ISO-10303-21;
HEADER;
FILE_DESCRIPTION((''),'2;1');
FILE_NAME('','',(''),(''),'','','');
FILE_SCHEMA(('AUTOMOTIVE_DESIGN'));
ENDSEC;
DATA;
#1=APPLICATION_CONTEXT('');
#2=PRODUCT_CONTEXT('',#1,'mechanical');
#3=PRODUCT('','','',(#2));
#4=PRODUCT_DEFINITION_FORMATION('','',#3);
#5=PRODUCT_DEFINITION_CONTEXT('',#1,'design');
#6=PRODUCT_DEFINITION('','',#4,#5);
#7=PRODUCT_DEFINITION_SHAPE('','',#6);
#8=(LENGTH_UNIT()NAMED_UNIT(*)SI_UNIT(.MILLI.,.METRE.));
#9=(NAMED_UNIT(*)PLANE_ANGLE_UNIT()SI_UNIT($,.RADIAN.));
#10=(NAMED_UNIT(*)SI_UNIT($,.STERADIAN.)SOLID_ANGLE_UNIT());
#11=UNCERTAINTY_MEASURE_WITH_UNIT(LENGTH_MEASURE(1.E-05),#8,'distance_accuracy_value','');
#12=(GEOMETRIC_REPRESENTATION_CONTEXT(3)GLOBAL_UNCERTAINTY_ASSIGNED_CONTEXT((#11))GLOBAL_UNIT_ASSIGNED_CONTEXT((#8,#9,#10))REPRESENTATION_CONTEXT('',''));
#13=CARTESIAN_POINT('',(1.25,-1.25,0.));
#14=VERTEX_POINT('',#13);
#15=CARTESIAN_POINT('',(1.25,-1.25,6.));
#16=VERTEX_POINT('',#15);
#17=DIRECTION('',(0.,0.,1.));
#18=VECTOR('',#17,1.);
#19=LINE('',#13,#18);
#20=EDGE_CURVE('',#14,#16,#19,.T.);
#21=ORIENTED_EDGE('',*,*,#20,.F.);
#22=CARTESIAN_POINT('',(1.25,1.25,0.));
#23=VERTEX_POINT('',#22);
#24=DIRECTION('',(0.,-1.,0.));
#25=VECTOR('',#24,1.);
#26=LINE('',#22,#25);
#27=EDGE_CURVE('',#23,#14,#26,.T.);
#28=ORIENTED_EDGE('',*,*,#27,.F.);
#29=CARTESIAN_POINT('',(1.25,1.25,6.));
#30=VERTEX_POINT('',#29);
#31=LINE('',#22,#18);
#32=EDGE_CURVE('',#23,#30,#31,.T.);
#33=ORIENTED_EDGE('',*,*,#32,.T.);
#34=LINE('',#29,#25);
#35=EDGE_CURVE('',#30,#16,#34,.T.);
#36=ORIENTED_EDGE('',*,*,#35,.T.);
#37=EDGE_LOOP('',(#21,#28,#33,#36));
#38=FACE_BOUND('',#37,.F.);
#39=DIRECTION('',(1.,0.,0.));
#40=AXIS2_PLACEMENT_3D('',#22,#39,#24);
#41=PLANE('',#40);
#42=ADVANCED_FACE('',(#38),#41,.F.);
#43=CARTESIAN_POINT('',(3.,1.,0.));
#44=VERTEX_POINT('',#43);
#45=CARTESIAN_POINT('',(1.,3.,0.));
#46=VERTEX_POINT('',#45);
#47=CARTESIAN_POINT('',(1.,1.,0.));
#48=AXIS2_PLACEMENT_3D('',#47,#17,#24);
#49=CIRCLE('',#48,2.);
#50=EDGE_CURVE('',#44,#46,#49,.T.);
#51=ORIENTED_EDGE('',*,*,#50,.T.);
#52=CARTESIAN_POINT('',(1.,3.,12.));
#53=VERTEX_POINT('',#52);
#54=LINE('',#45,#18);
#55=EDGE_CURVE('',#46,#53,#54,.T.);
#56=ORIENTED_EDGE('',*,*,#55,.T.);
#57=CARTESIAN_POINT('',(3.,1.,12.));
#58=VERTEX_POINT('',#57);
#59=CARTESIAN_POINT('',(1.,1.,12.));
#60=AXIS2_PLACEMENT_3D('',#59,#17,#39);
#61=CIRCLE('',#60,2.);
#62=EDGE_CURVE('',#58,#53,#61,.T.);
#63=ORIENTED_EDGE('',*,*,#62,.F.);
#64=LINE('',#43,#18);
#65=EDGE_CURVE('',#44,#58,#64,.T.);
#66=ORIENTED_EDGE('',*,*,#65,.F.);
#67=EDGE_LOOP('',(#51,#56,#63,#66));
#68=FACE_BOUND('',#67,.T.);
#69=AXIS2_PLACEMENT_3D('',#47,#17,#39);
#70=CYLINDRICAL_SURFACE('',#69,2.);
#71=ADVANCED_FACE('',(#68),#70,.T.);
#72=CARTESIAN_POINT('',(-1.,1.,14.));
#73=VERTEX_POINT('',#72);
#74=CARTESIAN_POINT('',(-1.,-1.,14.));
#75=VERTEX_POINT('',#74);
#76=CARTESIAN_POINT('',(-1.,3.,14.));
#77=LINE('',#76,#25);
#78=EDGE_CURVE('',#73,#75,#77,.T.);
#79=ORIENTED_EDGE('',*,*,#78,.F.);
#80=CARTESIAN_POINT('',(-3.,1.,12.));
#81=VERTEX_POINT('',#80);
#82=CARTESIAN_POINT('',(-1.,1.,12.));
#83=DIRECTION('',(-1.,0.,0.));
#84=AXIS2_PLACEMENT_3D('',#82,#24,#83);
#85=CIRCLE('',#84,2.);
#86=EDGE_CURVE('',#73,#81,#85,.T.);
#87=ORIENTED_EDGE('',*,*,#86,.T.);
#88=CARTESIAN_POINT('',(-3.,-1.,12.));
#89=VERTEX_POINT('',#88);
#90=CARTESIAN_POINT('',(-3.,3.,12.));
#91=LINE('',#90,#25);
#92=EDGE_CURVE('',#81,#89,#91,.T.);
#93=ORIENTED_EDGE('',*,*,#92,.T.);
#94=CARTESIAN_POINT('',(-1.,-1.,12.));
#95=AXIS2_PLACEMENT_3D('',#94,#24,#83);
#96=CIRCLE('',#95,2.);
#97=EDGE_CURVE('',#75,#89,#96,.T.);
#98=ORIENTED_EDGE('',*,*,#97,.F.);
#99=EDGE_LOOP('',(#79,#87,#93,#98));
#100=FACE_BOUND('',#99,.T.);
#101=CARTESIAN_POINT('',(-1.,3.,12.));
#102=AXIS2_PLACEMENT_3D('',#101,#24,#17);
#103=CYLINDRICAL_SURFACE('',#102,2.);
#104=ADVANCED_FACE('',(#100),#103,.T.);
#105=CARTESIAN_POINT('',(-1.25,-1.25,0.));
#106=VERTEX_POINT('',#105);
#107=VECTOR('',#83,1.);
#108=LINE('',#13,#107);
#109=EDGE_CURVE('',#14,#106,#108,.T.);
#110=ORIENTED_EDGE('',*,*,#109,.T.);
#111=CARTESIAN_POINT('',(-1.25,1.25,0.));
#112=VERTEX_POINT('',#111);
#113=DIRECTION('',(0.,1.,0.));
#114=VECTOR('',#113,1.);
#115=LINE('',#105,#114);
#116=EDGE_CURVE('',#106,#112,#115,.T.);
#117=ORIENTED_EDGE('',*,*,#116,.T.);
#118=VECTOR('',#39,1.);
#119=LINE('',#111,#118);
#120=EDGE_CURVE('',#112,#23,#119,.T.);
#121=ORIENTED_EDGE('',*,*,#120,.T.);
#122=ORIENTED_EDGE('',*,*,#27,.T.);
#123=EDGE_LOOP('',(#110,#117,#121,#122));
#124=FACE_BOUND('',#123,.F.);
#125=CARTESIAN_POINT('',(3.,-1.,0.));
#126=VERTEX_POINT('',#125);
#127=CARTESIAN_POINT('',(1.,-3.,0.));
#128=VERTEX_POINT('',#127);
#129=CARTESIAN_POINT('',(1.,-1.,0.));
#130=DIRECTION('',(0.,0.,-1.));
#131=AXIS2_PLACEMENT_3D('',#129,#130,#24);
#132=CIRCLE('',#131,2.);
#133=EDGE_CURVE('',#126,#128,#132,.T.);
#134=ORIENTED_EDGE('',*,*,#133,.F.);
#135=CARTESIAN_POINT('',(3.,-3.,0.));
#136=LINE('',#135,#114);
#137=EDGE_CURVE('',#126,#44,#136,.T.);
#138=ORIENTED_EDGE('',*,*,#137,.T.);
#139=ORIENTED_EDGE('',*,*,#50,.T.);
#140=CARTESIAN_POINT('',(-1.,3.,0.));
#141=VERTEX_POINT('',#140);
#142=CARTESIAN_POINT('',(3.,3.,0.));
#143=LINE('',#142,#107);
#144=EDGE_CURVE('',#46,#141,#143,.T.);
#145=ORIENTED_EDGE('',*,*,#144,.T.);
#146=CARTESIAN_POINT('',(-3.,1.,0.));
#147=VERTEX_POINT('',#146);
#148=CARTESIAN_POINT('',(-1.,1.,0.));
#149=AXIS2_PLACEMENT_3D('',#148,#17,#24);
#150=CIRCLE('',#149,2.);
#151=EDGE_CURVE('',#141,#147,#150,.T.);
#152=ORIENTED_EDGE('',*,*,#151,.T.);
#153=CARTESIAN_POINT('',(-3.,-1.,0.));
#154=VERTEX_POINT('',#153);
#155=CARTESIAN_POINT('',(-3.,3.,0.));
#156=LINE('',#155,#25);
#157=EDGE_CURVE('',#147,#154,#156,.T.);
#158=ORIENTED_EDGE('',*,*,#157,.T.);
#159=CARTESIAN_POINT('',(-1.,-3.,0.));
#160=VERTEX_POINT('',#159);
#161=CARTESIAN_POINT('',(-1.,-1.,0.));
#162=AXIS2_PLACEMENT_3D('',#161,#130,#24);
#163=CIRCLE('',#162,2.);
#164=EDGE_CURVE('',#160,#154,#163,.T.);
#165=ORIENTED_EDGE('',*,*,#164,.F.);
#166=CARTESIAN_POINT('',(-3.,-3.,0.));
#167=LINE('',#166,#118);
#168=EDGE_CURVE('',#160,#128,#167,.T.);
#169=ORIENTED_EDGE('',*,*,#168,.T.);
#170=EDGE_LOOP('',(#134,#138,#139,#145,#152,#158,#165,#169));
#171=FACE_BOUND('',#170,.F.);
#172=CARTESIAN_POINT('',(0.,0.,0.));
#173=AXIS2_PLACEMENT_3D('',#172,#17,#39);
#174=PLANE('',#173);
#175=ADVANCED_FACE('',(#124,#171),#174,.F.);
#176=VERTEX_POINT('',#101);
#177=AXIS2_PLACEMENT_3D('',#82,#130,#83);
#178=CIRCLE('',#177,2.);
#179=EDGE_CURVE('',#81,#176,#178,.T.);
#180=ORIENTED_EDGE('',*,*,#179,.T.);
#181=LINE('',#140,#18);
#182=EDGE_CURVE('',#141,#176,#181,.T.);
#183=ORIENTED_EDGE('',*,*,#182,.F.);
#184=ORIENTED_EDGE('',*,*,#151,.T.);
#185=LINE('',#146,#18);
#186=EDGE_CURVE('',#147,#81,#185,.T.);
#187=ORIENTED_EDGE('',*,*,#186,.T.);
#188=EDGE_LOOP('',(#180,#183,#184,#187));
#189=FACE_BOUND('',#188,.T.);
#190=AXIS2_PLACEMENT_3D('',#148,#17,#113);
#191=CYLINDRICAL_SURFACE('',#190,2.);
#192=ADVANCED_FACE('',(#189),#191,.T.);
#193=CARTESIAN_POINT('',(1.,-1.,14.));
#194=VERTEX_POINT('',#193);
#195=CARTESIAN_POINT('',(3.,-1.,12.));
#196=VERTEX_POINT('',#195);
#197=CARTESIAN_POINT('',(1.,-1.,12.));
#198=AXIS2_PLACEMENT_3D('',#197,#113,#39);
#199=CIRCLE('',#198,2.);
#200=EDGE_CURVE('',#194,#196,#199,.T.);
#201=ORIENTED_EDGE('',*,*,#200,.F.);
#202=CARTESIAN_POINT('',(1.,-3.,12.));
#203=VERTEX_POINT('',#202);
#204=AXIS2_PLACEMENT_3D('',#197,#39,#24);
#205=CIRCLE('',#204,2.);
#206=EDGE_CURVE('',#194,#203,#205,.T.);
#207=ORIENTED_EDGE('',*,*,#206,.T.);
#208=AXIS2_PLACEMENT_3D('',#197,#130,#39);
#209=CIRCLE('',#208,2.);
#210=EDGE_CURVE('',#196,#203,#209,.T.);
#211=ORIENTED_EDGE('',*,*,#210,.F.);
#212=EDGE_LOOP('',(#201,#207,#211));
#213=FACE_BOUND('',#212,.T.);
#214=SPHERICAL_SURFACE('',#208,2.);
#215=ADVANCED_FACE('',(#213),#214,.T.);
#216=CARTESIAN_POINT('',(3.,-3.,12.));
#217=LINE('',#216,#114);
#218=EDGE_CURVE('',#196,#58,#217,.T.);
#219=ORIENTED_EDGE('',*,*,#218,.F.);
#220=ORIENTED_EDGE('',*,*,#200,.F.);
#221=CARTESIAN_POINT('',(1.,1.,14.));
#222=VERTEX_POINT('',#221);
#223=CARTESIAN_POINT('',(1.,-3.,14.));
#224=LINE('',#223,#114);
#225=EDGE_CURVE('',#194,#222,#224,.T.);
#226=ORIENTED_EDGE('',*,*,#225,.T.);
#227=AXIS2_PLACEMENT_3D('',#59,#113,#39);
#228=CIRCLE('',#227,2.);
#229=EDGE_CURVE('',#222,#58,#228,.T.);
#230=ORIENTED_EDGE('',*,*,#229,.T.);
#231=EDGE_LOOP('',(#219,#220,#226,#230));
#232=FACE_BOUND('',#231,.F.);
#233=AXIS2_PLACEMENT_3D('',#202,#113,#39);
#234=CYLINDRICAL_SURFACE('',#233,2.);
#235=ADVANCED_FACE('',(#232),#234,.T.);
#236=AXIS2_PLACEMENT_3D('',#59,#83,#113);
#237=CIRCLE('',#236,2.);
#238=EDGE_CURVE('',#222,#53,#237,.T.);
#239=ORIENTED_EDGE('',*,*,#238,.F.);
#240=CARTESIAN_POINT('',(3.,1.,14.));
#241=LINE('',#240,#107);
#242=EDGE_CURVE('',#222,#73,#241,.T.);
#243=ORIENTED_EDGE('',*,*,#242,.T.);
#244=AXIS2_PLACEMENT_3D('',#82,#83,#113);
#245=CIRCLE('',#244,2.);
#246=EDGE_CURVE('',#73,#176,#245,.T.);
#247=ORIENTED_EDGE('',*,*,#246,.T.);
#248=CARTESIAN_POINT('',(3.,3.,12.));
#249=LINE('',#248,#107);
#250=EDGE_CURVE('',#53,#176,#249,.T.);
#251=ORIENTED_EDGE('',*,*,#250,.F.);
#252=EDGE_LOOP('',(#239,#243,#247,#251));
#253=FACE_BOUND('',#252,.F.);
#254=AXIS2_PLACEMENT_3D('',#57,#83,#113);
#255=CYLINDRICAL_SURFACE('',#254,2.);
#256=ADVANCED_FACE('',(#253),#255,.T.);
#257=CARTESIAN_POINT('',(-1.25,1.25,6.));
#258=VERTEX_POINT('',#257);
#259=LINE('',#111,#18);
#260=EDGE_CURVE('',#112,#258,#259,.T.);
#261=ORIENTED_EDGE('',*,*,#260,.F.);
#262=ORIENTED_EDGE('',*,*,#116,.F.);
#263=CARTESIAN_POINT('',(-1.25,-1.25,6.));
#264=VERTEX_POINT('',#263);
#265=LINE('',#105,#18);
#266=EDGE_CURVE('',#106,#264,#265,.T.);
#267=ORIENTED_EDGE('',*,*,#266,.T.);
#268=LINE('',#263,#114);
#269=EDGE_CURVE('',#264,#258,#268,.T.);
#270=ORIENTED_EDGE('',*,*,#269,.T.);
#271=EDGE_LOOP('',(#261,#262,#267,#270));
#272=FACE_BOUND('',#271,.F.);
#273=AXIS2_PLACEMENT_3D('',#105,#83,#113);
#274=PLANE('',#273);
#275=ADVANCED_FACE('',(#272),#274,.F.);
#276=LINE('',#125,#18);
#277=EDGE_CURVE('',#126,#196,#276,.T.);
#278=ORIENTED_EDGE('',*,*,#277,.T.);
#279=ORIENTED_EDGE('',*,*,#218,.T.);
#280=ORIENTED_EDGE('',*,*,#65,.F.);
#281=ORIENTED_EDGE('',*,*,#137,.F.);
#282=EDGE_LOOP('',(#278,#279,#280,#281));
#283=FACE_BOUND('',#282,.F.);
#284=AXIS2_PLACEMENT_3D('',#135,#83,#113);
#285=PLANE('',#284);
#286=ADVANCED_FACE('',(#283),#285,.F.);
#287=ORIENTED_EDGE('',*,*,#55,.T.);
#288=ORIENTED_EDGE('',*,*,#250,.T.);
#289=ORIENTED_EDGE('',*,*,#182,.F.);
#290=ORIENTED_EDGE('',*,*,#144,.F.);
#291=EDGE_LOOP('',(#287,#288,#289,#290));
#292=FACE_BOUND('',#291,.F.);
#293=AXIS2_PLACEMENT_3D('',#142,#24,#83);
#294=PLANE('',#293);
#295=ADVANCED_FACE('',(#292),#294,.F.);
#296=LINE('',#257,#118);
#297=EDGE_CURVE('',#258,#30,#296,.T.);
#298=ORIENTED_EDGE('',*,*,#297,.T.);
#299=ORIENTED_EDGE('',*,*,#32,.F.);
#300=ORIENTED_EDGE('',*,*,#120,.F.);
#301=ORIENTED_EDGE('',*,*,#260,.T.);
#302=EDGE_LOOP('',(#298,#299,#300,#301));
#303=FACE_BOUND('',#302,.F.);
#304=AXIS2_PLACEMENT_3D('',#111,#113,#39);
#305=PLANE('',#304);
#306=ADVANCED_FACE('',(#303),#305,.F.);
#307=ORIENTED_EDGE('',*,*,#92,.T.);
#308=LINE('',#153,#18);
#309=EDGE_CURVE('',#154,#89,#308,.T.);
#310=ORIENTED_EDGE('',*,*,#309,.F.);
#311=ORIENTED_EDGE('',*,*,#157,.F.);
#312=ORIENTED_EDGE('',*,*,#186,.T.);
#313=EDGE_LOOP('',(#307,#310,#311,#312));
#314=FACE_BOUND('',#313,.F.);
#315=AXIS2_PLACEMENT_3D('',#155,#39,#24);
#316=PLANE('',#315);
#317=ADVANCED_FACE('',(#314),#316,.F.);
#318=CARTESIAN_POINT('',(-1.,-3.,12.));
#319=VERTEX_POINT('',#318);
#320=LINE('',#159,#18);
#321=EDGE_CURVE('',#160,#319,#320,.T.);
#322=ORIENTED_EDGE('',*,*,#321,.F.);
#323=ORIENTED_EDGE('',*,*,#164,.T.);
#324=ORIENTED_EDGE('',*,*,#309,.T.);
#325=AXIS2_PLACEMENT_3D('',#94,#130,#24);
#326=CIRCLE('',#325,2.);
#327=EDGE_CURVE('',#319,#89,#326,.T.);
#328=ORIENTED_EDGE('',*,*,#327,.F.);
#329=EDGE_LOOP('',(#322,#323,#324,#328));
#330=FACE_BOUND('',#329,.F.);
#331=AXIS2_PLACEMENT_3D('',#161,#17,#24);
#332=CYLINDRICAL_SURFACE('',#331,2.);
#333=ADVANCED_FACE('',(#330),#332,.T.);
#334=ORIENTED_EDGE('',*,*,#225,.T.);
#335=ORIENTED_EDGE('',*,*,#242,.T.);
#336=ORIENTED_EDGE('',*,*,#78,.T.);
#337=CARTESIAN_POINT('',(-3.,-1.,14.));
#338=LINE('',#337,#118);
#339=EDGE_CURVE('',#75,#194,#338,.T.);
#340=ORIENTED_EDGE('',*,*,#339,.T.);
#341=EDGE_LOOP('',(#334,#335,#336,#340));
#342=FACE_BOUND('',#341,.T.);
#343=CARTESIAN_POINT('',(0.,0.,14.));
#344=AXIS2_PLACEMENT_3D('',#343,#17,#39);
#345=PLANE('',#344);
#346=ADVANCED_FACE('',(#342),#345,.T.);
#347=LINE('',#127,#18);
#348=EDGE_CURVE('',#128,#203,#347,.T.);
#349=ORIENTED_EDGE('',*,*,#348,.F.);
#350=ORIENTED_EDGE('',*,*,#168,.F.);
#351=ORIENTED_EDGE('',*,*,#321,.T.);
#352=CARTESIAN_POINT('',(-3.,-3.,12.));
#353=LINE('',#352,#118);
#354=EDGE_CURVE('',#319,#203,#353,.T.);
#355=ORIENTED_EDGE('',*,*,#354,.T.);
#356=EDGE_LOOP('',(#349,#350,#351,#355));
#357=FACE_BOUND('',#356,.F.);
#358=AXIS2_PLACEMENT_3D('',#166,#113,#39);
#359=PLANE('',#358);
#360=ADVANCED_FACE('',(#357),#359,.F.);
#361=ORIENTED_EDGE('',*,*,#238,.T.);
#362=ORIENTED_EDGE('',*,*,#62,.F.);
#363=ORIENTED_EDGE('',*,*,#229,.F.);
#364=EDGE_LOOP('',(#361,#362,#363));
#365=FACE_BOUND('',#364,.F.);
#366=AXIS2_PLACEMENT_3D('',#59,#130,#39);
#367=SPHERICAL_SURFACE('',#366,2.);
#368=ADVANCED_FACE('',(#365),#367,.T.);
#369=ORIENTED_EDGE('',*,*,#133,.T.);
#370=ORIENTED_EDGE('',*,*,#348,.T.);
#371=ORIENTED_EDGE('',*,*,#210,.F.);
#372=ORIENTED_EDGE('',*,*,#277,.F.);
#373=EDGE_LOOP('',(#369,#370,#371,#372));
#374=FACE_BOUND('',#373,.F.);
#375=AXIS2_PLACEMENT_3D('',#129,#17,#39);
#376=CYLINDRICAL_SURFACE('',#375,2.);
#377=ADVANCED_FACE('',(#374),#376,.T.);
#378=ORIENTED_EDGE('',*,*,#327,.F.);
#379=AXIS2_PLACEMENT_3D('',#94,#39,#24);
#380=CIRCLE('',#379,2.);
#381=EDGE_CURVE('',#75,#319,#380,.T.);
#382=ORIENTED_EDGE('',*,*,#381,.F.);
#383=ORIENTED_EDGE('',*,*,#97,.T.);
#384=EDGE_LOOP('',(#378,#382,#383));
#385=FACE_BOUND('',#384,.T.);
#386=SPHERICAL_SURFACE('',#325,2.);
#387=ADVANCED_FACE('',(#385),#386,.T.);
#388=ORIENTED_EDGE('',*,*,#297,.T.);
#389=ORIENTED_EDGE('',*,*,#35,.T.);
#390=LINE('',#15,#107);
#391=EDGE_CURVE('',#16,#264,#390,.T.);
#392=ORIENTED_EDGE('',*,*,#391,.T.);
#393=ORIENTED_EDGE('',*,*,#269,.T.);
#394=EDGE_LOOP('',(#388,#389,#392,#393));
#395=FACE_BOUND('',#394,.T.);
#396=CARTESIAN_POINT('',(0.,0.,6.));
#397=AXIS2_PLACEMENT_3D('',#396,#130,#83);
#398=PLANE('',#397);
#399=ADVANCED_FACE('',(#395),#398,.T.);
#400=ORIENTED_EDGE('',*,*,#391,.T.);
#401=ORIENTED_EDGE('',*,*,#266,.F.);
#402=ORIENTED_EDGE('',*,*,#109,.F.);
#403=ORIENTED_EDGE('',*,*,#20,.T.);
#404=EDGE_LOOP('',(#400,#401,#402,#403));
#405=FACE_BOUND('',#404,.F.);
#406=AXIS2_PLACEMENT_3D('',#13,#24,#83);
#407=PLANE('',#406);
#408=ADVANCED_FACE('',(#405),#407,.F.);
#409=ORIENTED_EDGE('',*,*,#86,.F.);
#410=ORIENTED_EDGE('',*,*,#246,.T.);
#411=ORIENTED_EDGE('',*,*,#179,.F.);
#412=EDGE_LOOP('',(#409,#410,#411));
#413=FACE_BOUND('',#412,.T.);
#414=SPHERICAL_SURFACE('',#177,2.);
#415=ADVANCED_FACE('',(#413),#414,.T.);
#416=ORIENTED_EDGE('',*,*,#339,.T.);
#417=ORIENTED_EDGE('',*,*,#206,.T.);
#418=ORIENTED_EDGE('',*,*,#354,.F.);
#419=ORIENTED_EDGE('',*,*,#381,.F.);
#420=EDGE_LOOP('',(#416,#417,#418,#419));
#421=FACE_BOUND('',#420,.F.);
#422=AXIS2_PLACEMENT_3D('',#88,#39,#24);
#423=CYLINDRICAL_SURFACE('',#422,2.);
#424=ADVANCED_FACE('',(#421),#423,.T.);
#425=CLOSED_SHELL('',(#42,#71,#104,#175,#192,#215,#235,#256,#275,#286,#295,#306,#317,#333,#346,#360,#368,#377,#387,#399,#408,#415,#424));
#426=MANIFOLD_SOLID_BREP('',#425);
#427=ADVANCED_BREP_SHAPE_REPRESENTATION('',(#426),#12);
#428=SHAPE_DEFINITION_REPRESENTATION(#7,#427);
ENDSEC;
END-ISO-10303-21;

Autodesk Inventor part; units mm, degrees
ref_plane "YZ Plane" through (0, 0, 0) normal (1, 0, 0) x (0, 1, 0)
ref_plane "XZ Plane" through (0, 0, 0) normal (0, 1, 0) x (-1, 0, 0)
ref_plane "XY Plane" through (0, 0, 0) normal (0, 0, 1) x (1, 0, 0)
sketch "Sketch1" plane through (0, 0, 0) normal (0, 0, 1) x (1, 0, 0)
  line L0 (-1, 1) -> (1, 1)
  line L1 (1, 1) -> (1, -1)
  line L2 (1, -1) -> (-1, -1)
  line L3 (-1, -1) -> (-1, 1)
  line L4 (-1, 1) -> (1, -1) construction
  line L5 (1, 1) -> (-1, -1) construction
  line L6 (3, 3) -> (-3, 3)
  line L7 (-3, 3) -> (-3, -3)
  line L8 (-3, -3) -> (3, -3)
  line L9 (3, -3) -> (3, 3)
  point P0 (0, 0)
  dimension "d0" = 2
  dimension "d1" = 2
  dimension "d2" = 2
extrude "Extrusion1" add sketch "Sketch1" along normal blind 14
sketch "Sketch2" plane through (0, 0, 14) normal (0, 0, 1) x (1, 0, 0)
  line L0 (-3, -3) -> (3, -3) projected
  line L1 (3, -3) -> (3, 3) projected
  line L2 (3, 3) -> (-3, 3) projected
  line L3 (-3, 3) -> (-3, -3) projected
  line L4 (1, -1) -> (-1, -1) projected
  line L5 (-1, -1) -> (-1, 1) projected
  line L6 (-1, 1) -> (1, 1) projected
  line L7 (1, 1) -> (1, -1) projected
  point P0 (0, 0)
extrude "Extrusion2" add sketch "Sketch2" against normal blind 8 contours L4 L5 L6 L7
fillet "Fillet1" radius 2 8 edges at (3, 3, 7) (-3, 3, 7) (-3, -3, 7) (3, -3, 7) (3, 0, 14) (0, -3, 14) (-3, 0, 14) (0, 3, 14)
sketch "Sketch3" plane through (0, 0, 0) normal (0, 0, -1) x (-1, 0, 0)
  arc A0 (1, -3) -> (3, -1) centre (1, -1) ccw projected
  line L0 (3, 1) -> (3, -1) projected
  arc A1 (3, 1) -> (1, 3) centre (1, 1) ccw projected
  line L1 (-1, 3) -> (1, 3) projected
  arc A2 (-1, 3) -> (-3, 1) centre (-1, 1) ccw projected
  line L2 (-3, -1) -> (-3, 1) projected
  arc A3 (-3, -1) -> (-1, -3) centre (-1, -1) ccw projected
  line L3 (1, -3) -> (-1, -3) projected
  line L4 (-1, -1) -> (1, -1) projected
  line L5 (-1, 1) -> (-1, -1) projected
  line L6 (1, 1) -> (-1, 1) projected
  line L7 (1, -1) -> (1, 1) projected
  line L8 (-1.25, -1.25) -> (1.25, -1.25)
  line L9 (1.25, -1.25) -> (1.25, 1.25)
  line L10 (1.25, 1.25) -> (-1.25, 1.25)
  line L11 (-1.25, 1.25) -> (-1.25, -1.25)
  point P0 (0, 0)
  dimension "d8" = 0.25
extrude "Extrusion3" cut sketch "Sketch3" against normal blind 6 contours L5 L6 L7 L4 | L11 L10 L9 L8
properties part number "switch cover"
